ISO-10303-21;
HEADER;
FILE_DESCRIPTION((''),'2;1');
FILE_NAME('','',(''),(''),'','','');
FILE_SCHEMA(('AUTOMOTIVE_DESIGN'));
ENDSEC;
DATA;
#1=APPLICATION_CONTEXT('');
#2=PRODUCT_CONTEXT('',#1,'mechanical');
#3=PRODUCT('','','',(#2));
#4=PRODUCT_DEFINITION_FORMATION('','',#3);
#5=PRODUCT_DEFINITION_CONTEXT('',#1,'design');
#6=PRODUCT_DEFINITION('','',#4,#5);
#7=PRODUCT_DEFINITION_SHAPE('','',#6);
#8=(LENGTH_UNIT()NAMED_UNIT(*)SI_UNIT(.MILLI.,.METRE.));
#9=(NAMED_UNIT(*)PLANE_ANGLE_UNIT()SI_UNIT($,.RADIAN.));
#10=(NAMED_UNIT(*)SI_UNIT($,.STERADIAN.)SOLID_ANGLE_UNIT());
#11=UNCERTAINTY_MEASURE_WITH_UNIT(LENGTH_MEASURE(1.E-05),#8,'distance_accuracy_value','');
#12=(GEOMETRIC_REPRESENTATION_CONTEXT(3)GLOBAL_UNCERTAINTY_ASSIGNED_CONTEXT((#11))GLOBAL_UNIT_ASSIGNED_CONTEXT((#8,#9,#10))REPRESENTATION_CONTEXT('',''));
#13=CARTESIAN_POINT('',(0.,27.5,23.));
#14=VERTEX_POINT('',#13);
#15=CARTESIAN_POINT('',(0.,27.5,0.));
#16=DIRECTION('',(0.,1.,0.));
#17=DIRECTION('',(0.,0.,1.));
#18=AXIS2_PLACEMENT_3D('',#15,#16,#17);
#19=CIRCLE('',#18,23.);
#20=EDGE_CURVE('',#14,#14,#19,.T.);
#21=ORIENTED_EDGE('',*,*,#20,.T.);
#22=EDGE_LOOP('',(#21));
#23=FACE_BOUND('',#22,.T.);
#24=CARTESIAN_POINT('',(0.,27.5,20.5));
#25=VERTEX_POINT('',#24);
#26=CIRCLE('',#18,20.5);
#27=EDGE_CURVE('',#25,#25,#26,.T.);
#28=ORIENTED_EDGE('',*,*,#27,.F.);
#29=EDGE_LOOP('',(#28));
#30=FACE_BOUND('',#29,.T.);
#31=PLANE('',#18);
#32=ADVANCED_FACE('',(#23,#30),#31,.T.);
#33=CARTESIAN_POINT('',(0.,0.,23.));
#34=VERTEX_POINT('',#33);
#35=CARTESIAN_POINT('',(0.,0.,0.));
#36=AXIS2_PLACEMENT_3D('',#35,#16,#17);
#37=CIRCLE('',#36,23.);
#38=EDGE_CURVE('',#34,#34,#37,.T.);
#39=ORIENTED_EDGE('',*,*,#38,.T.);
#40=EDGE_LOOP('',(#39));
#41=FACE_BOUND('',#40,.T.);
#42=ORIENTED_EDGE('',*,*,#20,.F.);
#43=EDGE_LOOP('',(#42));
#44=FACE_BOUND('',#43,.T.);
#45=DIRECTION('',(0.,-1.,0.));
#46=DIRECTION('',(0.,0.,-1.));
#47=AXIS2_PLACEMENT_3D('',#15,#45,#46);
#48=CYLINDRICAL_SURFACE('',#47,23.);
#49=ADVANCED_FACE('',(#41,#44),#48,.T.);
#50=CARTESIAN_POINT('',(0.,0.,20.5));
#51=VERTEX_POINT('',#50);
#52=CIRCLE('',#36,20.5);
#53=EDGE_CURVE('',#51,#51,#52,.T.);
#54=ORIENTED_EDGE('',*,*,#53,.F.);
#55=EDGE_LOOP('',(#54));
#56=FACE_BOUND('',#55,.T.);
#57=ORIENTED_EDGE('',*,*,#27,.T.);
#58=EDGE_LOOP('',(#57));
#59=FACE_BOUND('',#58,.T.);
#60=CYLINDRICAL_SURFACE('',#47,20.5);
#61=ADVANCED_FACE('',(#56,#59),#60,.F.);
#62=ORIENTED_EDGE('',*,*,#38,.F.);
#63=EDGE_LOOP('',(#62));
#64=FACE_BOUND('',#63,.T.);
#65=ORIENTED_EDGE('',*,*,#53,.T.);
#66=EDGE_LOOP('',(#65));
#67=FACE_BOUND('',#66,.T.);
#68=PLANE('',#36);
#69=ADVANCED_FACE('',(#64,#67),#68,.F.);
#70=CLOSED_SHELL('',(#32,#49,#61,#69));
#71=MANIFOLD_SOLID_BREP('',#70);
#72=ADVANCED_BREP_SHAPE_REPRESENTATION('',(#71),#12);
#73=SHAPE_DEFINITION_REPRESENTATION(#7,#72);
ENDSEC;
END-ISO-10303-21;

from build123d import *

# Parameters (mm, degrees)
SKETCH_1_R      = 23
SKETCH_1_R_2    = 20.5
EXTRUDE_1_DEPTH = 27.5


with BuildPart() as part:
    # 草图1 → 凸台-拉伸1 (new body)
    with BuildSketch(Plane(origin=(0, 0, 0), x_dir=(1, 0, 0), z_dir=(0, 1, 0))):
        Circle(SKETCH_1_R)
        Circle(SKETCH_1_R_2, mode=Mode.SUBTRACT)
    extrude(amount=EXTRUDE_1_DEPTH)


solid = part.part
